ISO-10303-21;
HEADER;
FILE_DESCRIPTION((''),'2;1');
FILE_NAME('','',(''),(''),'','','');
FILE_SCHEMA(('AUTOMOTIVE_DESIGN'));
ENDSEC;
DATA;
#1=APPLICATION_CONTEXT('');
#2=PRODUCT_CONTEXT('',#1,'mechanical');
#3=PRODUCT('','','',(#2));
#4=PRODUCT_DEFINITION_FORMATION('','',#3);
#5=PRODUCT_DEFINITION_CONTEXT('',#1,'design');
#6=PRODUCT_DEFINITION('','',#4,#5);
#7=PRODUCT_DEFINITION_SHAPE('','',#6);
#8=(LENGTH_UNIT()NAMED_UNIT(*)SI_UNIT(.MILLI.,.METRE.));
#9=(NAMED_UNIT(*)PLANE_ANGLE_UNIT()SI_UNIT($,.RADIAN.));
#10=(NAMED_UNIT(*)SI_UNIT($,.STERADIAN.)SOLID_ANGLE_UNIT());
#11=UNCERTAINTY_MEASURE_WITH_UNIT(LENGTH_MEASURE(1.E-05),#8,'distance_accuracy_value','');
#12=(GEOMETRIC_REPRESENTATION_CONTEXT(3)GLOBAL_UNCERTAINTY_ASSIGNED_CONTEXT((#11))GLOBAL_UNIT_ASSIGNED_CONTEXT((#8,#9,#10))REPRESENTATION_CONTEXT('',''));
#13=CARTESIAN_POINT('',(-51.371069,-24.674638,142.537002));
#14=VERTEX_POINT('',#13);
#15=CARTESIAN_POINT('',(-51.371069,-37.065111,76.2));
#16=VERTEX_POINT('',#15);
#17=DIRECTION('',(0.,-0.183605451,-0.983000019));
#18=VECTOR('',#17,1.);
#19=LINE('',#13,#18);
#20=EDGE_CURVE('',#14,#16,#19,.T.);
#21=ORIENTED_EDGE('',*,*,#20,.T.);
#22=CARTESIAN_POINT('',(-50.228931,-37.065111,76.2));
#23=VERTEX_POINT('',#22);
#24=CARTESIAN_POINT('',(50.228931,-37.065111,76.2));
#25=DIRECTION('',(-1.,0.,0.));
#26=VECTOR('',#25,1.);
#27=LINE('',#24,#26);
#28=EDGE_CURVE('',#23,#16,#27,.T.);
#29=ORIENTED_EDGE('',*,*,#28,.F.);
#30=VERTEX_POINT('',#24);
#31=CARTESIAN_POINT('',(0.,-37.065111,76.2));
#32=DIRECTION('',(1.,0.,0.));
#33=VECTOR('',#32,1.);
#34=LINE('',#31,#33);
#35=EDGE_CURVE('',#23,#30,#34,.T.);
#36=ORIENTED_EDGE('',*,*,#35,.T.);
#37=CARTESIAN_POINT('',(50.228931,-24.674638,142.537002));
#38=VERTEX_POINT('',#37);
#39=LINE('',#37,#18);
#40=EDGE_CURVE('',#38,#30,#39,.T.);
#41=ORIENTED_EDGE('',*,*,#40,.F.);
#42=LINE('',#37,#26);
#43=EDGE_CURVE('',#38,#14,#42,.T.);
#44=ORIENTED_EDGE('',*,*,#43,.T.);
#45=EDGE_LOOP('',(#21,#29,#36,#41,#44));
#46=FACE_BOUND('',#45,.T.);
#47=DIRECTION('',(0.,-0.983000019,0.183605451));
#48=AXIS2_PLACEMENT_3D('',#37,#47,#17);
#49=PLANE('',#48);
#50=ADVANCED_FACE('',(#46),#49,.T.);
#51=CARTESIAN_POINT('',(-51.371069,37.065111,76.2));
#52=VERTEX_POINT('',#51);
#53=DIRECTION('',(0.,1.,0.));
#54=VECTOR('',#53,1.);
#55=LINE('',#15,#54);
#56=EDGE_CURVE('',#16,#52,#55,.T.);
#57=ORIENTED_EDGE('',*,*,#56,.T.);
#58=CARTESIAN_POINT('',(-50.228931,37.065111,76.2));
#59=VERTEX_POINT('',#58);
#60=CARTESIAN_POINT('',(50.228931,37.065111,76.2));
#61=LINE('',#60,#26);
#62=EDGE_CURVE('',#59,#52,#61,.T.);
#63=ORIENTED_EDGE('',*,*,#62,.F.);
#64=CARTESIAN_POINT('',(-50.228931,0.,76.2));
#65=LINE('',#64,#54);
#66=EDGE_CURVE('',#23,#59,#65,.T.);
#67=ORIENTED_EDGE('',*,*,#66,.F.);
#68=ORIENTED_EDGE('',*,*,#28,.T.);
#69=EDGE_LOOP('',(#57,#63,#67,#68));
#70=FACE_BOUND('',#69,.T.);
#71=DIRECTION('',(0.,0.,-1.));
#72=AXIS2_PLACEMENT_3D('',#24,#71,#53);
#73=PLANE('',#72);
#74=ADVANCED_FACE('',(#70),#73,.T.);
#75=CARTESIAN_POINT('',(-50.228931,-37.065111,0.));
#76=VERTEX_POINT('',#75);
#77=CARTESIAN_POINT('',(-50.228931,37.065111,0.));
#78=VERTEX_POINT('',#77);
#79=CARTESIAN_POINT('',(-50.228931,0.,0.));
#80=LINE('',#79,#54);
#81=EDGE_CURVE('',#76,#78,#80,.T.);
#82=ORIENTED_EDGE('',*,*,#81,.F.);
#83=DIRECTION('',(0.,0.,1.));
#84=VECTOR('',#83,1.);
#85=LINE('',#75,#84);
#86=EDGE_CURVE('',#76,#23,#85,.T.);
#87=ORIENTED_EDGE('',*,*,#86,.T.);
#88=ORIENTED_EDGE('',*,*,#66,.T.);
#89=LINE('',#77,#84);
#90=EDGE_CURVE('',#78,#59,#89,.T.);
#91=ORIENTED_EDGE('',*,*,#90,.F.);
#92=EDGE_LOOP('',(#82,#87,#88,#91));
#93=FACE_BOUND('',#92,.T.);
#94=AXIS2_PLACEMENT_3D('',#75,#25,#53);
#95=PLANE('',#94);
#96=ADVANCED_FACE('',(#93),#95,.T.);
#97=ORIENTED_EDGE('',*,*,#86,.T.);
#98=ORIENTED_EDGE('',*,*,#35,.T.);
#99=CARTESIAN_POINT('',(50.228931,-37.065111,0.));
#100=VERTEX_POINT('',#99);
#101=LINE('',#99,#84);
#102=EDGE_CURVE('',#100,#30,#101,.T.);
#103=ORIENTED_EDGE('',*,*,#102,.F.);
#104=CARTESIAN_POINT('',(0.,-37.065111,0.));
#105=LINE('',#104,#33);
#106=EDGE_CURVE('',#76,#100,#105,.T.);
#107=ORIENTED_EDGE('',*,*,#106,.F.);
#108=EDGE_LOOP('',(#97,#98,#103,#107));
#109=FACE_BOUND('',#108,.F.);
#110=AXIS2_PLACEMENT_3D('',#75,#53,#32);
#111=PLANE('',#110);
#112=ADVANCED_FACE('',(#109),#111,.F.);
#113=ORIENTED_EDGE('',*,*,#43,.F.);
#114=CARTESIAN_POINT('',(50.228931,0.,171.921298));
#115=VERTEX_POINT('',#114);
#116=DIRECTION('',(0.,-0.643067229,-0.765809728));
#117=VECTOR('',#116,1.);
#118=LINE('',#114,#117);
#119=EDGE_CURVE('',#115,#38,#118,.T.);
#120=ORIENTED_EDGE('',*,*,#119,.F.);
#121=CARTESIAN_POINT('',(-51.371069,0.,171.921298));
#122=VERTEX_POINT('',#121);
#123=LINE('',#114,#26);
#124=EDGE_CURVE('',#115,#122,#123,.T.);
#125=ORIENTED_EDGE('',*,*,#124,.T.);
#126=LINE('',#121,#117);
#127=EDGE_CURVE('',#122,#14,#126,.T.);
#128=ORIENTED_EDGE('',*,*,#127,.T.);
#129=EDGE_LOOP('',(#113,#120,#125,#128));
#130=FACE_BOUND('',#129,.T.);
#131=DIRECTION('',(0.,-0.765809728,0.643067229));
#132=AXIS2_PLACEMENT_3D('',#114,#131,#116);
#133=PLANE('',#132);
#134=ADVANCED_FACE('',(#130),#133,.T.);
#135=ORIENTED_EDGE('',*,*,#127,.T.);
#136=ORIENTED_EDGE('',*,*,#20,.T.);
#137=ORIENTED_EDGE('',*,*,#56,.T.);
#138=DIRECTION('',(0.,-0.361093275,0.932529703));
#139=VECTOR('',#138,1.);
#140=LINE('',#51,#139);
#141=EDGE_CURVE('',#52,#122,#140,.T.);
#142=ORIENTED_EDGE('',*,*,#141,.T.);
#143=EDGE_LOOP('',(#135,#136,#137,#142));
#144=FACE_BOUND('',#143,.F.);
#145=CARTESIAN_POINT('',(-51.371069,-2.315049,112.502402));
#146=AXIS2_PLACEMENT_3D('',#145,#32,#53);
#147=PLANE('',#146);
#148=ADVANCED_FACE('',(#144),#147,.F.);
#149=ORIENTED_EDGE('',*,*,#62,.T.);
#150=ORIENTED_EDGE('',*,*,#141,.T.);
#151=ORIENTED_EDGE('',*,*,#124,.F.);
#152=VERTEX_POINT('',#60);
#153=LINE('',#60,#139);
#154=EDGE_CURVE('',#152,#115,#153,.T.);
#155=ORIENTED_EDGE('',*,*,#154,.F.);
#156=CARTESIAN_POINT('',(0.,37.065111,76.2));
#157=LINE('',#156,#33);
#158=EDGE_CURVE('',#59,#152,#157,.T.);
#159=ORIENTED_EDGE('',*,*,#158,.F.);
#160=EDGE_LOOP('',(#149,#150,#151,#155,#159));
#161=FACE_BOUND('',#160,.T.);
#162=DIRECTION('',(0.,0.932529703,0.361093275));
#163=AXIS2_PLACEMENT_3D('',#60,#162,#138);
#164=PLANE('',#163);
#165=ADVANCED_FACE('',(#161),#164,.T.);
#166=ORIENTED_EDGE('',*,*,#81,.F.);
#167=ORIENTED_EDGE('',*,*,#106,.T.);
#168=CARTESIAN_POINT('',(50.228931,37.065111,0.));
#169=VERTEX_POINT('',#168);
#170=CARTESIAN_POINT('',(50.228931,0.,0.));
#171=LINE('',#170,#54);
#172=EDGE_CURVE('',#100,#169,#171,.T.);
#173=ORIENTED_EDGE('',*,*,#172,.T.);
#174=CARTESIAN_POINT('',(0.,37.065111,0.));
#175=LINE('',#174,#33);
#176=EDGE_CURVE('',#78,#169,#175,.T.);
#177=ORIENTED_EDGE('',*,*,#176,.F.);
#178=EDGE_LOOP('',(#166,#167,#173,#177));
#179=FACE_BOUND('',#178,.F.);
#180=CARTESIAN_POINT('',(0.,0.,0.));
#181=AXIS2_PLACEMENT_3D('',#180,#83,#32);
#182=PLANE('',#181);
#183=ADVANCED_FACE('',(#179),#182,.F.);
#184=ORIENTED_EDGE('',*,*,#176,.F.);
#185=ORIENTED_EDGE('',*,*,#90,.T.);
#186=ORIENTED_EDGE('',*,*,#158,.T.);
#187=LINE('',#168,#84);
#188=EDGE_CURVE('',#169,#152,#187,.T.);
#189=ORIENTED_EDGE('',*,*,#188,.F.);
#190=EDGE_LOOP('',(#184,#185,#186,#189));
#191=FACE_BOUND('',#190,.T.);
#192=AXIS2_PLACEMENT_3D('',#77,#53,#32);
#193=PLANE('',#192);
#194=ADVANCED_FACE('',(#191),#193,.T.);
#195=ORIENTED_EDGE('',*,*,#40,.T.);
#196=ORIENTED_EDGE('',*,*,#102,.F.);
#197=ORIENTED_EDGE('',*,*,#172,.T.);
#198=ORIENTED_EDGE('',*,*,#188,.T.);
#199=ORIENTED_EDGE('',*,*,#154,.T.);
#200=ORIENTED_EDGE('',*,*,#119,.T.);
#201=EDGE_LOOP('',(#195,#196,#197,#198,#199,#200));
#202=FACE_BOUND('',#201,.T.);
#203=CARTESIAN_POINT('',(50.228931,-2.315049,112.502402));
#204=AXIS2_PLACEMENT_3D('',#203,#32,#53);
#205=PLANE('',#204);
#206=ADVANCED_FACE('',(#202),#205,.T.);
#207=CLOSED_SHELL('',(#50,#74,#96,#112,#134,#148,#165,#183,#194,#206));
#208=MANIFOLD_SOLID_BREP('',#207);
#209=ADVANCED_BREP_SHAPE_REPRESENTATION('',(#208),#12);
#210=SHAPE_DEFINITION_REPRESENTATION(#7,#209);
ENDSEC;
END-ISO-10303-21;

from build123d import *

# Parameters (mm, degrees)
F0_W     = 100.457862
F0_H     = 74.130222
F1_DEPTH = 76.2
F3_DEPTH = 101.6


with BuildPart() as f1:
    # F0 (on Top) → F1 (new body)
    with BuildSketch(Plane.XY):
        Rectangle(F0_W, F0_H)
    extrude(amount=F1_DEPTH)

    # F2 (on face) → F3 (join)
    with BuildSketch(Plane.YZ.offset(50.228931)):
        Polygon((37.065111, 76.2), (0, 171.921298), (-24.674638, 142.537002), (-37.065111, 76.2), align=None)
    extrude(amount=-F3_DEPTH)


solid = f1.part
